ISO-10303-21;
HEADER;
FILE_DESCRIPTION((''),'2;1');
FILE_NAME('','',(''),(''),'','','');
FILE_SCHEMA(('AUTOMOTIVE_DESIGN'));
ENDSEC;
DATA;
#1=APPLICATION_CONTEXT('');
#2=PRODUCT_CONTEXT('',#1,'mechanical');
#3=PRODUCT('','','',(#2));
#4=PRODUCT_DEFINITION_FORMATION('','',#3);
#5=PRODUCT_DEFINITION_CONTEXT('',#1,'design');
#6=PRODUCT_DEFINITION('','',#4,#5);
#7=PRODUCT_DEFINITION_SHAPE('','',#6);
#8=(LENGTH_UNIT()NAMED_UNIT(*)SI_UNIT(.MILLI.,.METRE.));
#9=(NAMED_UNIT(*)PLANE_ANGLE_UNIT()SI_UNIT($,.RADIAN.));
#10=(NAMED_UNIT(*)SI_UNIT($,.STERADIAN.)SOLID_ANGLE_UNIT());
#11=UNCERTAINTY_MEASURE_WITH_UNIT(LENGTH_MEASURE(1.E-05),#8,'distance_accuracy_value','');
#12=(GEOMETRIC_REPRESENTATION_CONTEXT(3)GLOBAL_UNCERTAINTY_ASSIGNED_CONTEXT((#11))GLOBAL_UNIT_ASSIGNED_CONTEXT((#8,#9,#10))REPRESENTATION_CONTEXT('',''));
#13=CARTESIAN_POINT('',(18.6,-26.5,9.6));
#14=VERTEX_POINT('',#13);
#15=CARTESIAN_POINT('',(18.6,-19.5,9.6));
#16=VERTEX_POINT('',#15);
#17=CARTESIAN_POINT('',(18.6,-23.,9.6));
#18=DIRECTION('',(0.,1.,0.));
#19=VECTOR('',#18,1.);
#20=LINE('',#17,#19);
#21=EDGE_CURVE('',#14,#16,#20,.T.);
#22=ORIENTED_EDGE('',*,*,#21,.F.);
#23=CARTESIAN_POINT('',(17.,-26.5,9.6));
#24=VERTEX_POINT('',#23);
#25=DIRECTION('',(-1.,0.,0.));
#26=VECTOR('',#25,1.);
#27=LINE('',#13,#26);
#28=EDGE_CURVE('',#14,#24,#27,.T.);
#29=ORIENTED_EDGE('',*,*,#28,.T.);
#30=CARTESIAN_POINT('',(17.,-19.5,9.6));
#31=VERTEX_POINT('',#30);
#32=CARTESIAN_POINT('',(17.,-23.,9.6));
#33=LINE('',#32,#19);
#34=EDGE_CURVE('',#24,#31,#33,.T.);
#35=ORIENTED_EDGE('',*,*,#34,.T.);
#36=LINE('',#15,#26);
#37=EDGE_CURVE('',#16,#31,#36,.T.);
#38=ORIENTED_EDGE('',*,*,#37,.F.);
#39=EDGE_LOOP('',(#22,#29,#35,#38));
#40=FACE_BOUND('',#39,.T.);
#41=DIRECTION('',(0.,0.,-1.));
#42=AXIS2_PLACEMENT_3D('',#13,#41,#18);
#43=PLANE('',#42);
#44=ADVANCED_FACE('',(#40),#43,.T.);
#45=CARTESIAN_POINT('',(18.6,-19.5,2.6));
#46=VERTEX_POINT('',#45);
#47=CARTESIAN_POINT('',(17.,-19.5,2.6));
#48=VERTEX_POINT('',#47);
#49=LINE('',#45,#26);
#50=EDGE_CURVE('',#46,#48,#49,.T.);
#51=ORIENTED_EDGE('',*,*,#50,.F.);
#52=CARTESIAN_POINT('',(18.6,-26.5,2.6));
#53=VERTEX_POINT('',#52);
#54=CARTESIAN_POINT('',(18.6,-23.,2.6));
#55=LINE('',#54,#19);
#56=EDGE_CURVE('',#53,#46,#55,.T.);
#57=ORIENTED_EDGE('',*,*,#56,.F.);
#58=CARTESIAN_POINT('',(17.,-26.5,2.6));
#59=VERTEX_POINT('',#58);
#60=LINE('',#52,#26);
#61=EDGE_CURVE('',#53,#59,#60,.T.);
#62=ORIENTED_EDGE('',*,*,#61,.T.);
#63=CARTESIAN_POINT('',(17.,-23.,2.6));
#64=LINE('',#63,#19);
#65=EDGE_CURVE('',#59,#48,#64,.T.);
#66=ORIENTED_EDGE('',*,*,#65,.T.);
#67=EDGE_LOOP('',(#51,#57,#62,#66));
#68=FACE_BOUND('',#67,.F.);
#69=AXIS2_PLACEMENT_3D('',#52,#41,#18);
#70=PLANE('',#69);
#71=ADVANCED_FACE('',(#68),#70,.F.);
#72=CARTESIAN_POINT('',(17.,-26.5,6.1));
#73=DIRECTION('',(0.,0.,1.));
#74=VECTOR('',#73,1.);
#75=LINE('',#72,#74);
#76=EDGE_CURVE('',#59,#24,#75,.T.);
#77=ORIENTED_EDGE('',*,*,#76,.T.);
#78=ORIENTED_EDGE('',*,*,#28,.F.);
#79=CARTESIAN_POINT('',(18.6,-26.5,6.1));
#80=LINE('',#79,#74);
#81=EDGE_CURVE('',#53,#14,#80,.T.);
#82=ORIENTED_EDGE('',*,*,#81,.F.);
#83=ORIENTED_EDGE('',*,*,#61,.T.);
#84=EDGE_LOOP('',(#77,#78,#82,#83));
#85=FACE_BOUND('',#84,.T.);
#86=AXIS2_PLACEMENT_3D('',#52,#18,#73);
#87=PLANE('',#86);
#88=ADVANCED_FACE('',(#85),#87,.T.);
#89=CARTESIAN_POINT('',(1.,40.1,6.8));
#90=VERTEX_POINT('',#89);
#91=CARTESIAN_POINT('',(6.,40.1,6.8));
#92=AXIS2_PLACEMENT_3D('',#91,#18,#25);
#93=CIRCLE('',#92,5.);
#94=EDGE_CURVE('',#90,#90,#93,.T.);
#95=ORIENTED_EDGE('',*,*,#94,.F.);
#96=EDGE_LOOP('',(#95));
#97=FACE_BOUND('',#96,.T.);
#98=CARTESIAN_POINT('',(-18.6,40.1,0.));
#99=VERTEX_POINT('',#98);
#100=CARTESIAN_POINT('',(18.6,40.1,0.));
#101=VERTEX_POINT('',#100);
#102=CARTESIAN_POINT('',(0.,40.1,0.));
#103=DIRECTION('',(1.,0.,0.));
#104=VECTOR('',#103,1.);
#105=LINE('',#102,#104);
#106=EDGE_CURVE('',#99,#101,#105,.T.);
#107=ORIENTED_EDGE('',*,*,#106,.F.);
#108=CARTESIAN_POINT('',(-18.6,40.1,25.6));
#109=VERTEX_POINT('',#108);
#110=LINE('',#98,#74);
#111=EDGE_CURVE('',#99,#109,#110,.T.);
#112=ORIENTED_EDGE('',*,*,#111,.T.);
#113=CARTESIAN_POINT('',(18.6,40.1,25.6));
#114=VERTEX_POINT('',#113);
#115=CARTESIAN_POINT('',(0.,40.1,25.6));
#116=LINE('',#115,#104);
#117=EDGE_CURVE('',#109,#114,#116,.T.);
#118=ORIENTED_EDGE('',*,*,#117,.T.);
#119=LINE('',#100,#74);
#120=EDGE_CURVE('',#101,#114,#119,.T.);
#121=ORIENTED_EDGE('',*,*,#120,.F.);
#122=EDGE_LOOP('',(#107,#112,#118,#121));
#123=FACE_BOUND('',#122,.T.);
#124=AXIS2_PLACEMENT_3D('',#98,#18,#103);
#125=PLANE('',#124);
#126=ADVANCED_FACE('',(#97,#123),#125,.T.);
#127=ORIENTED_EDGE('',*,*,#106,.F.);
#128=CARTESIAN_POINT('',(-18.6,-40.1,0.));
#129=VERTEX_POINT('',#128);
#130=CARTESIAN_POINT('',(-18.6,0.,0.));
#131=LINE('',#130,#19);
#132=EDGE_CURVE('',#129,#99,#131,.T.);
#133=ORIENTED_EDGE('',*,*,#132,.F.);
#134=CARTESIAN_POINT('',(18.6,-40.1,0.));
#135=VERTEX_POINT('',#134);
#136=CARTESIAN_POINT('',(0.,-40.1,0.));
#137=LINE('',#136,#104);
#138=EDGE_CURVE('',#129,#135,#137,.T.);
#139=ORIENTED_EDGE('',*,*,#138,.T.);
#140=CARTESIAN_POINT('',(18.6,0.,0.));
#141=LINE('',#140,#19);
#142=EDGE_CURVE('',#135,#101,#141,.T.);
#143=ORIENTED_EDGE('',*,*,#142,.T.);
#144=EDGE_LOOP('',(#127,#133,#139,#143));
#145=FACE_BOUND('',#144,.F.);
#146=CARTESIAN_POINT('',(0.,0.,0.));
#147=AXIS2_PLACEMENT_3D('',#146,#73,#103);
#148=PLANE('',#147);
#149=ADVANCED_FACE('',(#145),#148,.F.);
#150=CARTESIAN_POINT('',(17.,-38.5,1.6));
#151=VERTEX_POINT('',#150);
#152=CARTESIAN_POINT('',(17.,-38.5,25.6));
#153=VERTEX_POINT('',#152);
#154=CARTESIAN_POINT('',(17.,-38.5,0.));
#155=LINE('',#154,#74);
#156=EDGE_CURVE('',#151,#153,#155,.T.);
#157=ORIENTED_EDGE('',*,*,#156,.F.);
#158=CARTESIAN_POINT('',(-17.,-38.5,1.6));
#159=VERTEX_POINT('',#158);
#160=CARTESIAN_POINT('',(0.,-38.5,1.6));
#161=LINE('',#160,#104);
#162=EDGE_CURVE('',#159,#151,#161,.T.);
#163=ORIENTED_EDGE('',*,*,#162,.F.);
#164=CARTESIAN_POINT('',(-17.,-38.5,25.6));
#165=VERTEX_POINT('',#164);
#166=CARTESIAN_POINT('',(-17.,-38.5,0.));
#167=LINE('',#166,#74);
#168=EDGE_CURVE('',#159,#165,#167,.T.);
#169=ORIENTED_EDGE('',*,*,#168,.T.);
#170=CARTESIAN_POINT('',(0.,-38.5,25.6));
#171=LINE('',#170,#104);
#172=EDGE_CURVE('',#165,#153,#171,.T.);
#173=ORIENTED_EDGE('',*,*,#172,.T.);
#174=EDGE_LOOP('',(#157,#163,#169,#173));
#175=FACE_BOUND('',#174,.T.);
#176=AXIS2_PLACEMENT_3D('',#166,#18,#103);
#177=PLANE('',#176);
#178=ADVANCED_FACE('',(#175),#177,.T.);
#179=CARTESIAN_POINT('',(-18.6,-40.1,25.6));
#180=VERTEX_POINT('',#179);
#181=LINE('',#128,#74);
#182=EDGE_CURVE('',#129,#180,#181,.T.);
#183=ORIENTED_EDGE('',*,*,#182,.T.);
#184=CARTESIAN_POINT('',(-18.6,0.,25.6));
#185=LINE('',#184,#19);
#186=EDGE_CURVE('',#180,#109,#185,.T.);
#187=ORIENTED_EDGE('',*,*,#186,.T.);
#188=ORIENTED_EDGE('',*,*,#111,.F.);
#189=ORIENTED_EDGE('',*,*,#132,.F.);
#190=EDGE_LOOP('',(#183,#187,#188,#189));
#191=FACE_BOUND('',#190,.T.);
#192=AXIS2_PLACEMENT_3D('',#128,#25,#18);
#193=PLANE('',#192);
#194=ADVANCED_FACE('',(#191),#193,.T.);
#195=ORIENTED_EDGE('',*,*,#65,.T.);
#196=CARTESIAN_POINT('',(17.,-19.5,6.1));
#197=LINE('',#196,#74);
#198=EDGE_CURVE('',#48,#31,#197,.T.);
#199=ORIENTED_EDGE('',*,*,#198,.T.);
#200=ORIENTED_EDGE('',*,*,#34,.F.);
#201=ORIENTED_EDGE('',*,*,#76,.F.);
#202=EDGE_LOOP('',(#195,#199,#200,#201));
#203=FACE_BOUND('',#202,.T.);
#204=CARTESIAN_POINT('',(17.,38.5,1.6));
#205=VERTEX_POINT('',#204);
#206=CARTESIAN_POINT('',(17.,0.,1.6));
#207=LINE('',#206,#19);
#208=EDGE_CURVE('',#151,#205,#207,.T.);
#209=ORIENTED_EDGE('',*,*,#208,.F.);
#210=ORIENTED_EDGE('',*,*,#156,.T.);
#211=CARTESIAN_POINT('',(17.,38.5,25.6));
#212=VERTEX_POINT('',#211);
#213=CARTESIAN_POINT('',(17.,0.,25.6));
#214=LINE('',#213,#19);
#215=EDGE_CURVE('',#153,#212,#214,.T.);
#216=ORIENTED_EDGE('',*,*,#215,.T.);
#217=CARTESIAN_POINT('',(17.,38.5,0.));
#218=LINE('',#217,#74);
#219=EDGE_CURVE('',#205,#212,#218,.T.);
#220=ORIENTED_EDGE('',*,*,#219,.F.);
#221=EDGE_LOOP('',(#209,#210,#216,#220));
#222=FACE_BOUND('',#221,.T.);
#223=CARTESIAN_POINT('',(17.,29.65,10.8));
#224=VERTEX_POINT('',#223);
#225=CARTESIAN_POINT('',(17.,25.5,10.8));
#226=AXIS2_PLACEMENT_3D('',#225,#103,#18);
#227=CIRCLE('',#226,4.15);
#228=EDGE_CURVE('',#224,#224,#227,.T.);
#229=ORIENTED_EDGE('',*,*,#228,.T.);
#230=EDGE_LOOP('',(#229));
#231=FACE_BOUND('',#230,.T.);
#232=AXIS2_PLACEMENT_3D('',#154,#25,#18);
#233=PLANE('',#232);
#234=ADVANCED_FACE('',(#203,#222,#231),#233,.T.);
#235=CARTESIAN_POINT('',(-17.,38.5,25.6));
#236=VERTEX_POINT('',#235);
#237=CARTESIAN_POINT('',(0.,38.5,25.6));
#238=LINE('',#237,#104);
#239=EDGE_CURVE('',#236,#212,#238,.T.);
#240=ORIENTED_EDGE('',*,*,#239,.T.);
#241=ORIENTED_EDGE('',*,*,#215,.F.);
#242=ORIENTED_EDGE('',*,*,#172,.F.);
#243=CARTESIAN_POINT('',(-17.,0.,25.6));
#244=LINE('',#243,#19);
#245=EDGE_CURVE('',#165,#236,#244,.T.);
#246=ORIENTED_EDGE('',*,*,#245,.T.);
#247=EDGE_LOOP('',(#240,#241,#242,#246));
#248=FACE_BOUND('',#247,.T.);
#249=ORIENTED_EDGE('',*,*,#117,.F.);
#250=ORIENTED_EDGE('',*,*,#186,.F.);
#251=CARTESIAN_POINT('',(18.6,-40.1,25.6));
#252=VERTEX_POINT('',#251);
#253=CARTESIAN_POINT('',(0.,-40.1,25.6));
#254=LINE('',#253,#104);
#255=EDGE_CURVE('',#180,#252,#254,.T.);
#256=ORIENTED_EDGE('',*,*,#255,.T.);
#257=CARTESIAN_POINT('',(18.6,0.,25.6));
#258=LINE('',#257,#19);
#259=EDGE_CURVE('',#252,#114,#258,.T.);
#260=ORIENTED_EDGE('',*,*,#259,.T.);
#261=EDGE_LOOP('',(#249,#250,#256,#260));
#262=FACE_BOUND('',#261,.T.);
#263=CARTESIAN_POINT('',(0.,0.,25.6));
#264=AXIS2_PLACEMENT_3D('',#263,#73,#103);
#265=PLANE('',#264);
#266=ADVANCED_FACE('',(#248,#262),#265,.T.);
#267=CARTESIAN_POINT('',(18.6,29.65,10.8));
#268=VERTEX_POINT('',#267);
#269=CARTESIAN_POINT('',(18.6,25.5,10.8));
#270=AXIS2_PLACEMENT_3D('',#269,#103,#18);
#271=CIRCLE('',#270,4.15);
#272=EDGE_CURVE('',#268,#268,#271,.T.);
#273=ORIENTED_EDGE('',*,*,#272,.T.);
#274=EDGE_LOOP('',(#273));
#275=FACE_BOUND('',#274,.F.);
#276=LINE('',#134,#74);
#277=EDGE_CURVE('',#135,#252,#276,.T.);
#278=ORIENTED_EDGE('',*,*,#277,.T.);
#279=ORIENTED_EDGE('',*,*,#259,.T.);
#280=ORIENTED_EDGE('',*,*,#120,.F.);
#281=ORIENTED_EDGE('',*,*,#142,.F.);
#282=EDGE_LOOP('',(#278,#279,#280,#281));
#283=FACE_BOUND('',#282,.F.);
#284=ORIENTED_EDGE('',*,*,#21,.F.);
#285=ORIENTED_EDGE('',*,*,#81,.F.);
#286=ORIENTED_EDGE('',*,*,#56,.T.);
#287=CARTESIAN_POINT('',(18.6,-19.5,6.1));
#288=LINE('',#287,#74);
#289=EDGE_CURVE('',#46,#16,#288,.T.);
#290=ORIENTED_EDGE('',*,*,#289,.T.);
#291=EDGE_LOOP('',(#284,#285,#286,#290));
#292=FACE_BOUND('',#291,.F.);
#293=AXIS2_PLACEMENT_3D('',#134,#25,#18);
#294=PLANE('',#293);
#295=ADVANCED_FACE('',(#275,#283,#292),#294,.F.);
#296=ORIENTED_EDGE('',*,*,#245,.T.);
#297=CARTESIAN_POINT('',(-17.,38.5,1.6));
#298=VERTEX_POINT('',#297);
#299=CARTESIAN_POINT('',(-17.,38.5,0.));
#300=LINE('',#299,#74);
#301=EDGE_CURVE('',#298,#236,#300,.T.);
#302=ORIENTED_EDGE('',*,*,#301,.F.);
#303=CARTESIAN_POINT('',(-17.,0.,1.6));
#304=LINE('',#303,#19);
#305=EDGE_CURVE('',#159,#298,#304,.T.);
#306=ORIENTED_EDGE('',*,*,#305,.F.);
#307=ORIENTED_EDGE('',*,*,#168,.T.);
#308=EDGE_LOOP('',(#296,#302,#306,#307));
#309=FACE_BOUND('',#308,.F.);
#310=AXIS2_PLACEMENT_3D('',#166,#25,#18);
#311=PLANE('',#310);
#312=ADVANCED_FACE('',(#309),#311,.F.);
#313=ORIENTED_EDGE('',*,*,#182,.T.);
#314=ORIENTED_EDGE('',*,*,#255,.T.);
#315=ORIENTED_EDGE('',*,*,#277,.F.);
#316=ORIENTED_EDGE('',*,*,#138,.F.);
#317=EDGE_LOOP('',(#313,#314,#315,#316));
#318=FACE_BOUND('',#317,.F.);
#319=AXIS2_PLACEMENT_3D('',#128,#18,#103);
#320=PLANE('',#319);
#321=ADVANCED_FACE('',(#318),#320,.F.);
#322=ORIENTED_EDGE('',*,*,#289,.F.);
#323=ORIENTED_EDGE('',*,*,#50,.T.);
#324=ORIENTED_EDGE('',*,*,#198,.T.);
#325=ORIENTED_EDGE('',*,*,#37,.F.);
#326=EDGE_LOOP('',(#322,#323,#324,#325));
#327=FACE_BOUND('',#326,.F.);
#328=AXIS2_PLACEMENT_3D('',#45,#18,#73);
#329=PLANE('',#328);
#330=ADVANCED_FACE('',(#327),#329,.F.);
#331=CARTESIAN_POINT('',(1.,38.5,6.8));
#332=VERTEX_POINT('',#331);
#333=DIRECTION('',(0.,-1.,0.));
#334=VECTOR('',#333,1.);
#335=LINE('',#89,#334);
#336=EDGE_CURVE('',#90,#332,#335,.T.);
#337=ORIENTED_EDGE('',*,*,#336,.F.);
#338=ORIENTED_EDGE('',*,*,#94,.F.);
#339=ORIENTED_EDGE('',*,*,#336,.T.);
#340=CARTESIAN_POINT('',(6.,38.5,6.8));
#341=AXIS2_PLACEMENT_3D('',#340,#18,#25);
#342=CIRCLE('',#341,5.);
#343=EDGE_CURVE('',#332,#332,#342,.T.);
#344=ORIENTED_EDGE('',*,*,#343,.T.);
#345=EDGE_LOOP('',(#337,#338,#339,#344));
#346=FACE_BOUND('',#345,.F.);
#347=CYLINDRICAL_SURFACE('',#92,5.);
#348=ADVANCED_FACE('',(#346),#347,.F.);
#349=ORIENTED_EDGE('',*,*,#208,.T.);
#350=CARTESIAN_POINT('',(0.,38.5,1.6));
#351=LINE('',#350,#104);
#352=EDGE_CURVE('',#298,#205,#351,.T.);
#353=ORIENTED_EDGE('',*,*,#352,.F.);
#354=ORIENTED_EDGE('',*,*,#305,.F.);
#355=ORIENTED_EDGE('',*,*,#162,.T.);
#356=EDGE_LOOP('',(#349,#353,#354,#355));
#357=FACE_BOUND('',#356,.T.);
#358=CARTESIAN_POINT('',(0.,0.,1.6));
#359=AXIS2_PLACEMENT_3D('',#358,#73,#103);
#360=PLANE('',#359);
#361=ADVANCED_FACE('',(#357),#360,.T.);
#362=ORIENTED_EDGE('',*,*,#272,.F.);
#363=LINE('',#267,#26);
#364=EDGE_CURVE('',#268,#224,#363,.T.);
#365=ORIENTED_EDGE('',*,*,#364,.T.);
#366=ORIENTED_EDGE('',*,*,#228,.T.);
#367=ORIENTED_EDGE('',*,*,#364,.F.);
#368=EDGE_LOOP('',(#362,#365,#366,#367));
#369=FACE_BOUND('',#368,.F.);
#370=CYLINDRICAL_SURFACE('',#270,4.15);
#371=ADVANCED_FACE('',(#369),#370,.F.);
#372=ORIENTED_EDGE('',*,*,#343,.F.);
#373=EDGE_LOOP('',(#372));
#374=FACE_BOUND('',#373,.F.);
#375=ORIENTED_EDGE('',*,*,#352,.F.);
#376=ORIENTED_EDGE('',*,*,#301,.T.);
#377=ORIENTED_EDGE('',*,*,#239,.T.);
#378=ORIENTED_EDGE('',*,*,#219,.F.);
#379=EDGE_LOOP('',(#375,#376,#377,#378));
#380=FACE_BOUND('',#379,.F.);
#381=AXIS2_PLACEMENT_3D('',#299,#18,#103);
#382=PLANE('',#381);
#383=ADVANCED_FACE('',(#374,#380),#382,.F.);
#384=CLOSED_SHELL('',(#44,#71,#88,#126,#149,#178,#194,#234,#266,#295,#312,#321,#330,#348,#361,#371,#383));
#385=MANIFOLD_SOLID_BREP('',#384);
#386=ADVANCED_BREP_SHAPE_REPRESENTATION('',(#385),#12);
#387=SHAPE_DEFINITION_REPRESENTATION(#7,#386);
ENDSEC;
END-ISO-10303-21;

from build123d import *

# Parameters (mm, degrees)
F0_W     = 34
F0_H     = 77
F1_DEPTH = 1.6
F0_W_2   = 37.2
F0_H_2   = 80.2
F2_DEPTH = 25.6
F3_R     = 5
F4_DEPTH = 1.6
F5_R     = 4.15
F5_W     = 7
F5_H     = 7
F6_DEPTH = 1.6


with BuildPart() as f1:
    # F0 (on Top) → F1 (new body)
    with BuildSketch(Plane.XY):
        Rectangle(F0_W, F0_H)
    extrude(amount=F1_DEPTH)

    # F0 (on Top) → F2 (join)
    with BuildSketch(Plane.XY):
        Rectangle(F0_W_2, F0_H_2)
        Rectangle(F0_W, F0_H, mode=Mode.SUBTRACT)
    extrude(amount=F2_DEPTH)

    # F3 (on face) → F4 (cut, through all)
    with BuildSketch(Plane(origin=(0, 40.1, 0), x_dir=(-1, 0, 0), z_dir=(0, 1, 0))):
        with Locations((-6, 6.8)):
            Circle(F3_R)
    extrude(amount=-F4_DEPTH, mode=Mode.SUBTRACT)

    # F5 (on face) → F6 (cut, through all)
    with BuildSketch(Plane.YZ.offset(18.6)):
        with Locations((25.5, 10.8)):
            Circle(F5_R)
        with Locations((-23, 6.1)):
            Rectangle(F5_W, F5_H)
    extrude(amount=-F6_DEPTH, mode=Mode.SUBTRACT)


solid = f1.part
